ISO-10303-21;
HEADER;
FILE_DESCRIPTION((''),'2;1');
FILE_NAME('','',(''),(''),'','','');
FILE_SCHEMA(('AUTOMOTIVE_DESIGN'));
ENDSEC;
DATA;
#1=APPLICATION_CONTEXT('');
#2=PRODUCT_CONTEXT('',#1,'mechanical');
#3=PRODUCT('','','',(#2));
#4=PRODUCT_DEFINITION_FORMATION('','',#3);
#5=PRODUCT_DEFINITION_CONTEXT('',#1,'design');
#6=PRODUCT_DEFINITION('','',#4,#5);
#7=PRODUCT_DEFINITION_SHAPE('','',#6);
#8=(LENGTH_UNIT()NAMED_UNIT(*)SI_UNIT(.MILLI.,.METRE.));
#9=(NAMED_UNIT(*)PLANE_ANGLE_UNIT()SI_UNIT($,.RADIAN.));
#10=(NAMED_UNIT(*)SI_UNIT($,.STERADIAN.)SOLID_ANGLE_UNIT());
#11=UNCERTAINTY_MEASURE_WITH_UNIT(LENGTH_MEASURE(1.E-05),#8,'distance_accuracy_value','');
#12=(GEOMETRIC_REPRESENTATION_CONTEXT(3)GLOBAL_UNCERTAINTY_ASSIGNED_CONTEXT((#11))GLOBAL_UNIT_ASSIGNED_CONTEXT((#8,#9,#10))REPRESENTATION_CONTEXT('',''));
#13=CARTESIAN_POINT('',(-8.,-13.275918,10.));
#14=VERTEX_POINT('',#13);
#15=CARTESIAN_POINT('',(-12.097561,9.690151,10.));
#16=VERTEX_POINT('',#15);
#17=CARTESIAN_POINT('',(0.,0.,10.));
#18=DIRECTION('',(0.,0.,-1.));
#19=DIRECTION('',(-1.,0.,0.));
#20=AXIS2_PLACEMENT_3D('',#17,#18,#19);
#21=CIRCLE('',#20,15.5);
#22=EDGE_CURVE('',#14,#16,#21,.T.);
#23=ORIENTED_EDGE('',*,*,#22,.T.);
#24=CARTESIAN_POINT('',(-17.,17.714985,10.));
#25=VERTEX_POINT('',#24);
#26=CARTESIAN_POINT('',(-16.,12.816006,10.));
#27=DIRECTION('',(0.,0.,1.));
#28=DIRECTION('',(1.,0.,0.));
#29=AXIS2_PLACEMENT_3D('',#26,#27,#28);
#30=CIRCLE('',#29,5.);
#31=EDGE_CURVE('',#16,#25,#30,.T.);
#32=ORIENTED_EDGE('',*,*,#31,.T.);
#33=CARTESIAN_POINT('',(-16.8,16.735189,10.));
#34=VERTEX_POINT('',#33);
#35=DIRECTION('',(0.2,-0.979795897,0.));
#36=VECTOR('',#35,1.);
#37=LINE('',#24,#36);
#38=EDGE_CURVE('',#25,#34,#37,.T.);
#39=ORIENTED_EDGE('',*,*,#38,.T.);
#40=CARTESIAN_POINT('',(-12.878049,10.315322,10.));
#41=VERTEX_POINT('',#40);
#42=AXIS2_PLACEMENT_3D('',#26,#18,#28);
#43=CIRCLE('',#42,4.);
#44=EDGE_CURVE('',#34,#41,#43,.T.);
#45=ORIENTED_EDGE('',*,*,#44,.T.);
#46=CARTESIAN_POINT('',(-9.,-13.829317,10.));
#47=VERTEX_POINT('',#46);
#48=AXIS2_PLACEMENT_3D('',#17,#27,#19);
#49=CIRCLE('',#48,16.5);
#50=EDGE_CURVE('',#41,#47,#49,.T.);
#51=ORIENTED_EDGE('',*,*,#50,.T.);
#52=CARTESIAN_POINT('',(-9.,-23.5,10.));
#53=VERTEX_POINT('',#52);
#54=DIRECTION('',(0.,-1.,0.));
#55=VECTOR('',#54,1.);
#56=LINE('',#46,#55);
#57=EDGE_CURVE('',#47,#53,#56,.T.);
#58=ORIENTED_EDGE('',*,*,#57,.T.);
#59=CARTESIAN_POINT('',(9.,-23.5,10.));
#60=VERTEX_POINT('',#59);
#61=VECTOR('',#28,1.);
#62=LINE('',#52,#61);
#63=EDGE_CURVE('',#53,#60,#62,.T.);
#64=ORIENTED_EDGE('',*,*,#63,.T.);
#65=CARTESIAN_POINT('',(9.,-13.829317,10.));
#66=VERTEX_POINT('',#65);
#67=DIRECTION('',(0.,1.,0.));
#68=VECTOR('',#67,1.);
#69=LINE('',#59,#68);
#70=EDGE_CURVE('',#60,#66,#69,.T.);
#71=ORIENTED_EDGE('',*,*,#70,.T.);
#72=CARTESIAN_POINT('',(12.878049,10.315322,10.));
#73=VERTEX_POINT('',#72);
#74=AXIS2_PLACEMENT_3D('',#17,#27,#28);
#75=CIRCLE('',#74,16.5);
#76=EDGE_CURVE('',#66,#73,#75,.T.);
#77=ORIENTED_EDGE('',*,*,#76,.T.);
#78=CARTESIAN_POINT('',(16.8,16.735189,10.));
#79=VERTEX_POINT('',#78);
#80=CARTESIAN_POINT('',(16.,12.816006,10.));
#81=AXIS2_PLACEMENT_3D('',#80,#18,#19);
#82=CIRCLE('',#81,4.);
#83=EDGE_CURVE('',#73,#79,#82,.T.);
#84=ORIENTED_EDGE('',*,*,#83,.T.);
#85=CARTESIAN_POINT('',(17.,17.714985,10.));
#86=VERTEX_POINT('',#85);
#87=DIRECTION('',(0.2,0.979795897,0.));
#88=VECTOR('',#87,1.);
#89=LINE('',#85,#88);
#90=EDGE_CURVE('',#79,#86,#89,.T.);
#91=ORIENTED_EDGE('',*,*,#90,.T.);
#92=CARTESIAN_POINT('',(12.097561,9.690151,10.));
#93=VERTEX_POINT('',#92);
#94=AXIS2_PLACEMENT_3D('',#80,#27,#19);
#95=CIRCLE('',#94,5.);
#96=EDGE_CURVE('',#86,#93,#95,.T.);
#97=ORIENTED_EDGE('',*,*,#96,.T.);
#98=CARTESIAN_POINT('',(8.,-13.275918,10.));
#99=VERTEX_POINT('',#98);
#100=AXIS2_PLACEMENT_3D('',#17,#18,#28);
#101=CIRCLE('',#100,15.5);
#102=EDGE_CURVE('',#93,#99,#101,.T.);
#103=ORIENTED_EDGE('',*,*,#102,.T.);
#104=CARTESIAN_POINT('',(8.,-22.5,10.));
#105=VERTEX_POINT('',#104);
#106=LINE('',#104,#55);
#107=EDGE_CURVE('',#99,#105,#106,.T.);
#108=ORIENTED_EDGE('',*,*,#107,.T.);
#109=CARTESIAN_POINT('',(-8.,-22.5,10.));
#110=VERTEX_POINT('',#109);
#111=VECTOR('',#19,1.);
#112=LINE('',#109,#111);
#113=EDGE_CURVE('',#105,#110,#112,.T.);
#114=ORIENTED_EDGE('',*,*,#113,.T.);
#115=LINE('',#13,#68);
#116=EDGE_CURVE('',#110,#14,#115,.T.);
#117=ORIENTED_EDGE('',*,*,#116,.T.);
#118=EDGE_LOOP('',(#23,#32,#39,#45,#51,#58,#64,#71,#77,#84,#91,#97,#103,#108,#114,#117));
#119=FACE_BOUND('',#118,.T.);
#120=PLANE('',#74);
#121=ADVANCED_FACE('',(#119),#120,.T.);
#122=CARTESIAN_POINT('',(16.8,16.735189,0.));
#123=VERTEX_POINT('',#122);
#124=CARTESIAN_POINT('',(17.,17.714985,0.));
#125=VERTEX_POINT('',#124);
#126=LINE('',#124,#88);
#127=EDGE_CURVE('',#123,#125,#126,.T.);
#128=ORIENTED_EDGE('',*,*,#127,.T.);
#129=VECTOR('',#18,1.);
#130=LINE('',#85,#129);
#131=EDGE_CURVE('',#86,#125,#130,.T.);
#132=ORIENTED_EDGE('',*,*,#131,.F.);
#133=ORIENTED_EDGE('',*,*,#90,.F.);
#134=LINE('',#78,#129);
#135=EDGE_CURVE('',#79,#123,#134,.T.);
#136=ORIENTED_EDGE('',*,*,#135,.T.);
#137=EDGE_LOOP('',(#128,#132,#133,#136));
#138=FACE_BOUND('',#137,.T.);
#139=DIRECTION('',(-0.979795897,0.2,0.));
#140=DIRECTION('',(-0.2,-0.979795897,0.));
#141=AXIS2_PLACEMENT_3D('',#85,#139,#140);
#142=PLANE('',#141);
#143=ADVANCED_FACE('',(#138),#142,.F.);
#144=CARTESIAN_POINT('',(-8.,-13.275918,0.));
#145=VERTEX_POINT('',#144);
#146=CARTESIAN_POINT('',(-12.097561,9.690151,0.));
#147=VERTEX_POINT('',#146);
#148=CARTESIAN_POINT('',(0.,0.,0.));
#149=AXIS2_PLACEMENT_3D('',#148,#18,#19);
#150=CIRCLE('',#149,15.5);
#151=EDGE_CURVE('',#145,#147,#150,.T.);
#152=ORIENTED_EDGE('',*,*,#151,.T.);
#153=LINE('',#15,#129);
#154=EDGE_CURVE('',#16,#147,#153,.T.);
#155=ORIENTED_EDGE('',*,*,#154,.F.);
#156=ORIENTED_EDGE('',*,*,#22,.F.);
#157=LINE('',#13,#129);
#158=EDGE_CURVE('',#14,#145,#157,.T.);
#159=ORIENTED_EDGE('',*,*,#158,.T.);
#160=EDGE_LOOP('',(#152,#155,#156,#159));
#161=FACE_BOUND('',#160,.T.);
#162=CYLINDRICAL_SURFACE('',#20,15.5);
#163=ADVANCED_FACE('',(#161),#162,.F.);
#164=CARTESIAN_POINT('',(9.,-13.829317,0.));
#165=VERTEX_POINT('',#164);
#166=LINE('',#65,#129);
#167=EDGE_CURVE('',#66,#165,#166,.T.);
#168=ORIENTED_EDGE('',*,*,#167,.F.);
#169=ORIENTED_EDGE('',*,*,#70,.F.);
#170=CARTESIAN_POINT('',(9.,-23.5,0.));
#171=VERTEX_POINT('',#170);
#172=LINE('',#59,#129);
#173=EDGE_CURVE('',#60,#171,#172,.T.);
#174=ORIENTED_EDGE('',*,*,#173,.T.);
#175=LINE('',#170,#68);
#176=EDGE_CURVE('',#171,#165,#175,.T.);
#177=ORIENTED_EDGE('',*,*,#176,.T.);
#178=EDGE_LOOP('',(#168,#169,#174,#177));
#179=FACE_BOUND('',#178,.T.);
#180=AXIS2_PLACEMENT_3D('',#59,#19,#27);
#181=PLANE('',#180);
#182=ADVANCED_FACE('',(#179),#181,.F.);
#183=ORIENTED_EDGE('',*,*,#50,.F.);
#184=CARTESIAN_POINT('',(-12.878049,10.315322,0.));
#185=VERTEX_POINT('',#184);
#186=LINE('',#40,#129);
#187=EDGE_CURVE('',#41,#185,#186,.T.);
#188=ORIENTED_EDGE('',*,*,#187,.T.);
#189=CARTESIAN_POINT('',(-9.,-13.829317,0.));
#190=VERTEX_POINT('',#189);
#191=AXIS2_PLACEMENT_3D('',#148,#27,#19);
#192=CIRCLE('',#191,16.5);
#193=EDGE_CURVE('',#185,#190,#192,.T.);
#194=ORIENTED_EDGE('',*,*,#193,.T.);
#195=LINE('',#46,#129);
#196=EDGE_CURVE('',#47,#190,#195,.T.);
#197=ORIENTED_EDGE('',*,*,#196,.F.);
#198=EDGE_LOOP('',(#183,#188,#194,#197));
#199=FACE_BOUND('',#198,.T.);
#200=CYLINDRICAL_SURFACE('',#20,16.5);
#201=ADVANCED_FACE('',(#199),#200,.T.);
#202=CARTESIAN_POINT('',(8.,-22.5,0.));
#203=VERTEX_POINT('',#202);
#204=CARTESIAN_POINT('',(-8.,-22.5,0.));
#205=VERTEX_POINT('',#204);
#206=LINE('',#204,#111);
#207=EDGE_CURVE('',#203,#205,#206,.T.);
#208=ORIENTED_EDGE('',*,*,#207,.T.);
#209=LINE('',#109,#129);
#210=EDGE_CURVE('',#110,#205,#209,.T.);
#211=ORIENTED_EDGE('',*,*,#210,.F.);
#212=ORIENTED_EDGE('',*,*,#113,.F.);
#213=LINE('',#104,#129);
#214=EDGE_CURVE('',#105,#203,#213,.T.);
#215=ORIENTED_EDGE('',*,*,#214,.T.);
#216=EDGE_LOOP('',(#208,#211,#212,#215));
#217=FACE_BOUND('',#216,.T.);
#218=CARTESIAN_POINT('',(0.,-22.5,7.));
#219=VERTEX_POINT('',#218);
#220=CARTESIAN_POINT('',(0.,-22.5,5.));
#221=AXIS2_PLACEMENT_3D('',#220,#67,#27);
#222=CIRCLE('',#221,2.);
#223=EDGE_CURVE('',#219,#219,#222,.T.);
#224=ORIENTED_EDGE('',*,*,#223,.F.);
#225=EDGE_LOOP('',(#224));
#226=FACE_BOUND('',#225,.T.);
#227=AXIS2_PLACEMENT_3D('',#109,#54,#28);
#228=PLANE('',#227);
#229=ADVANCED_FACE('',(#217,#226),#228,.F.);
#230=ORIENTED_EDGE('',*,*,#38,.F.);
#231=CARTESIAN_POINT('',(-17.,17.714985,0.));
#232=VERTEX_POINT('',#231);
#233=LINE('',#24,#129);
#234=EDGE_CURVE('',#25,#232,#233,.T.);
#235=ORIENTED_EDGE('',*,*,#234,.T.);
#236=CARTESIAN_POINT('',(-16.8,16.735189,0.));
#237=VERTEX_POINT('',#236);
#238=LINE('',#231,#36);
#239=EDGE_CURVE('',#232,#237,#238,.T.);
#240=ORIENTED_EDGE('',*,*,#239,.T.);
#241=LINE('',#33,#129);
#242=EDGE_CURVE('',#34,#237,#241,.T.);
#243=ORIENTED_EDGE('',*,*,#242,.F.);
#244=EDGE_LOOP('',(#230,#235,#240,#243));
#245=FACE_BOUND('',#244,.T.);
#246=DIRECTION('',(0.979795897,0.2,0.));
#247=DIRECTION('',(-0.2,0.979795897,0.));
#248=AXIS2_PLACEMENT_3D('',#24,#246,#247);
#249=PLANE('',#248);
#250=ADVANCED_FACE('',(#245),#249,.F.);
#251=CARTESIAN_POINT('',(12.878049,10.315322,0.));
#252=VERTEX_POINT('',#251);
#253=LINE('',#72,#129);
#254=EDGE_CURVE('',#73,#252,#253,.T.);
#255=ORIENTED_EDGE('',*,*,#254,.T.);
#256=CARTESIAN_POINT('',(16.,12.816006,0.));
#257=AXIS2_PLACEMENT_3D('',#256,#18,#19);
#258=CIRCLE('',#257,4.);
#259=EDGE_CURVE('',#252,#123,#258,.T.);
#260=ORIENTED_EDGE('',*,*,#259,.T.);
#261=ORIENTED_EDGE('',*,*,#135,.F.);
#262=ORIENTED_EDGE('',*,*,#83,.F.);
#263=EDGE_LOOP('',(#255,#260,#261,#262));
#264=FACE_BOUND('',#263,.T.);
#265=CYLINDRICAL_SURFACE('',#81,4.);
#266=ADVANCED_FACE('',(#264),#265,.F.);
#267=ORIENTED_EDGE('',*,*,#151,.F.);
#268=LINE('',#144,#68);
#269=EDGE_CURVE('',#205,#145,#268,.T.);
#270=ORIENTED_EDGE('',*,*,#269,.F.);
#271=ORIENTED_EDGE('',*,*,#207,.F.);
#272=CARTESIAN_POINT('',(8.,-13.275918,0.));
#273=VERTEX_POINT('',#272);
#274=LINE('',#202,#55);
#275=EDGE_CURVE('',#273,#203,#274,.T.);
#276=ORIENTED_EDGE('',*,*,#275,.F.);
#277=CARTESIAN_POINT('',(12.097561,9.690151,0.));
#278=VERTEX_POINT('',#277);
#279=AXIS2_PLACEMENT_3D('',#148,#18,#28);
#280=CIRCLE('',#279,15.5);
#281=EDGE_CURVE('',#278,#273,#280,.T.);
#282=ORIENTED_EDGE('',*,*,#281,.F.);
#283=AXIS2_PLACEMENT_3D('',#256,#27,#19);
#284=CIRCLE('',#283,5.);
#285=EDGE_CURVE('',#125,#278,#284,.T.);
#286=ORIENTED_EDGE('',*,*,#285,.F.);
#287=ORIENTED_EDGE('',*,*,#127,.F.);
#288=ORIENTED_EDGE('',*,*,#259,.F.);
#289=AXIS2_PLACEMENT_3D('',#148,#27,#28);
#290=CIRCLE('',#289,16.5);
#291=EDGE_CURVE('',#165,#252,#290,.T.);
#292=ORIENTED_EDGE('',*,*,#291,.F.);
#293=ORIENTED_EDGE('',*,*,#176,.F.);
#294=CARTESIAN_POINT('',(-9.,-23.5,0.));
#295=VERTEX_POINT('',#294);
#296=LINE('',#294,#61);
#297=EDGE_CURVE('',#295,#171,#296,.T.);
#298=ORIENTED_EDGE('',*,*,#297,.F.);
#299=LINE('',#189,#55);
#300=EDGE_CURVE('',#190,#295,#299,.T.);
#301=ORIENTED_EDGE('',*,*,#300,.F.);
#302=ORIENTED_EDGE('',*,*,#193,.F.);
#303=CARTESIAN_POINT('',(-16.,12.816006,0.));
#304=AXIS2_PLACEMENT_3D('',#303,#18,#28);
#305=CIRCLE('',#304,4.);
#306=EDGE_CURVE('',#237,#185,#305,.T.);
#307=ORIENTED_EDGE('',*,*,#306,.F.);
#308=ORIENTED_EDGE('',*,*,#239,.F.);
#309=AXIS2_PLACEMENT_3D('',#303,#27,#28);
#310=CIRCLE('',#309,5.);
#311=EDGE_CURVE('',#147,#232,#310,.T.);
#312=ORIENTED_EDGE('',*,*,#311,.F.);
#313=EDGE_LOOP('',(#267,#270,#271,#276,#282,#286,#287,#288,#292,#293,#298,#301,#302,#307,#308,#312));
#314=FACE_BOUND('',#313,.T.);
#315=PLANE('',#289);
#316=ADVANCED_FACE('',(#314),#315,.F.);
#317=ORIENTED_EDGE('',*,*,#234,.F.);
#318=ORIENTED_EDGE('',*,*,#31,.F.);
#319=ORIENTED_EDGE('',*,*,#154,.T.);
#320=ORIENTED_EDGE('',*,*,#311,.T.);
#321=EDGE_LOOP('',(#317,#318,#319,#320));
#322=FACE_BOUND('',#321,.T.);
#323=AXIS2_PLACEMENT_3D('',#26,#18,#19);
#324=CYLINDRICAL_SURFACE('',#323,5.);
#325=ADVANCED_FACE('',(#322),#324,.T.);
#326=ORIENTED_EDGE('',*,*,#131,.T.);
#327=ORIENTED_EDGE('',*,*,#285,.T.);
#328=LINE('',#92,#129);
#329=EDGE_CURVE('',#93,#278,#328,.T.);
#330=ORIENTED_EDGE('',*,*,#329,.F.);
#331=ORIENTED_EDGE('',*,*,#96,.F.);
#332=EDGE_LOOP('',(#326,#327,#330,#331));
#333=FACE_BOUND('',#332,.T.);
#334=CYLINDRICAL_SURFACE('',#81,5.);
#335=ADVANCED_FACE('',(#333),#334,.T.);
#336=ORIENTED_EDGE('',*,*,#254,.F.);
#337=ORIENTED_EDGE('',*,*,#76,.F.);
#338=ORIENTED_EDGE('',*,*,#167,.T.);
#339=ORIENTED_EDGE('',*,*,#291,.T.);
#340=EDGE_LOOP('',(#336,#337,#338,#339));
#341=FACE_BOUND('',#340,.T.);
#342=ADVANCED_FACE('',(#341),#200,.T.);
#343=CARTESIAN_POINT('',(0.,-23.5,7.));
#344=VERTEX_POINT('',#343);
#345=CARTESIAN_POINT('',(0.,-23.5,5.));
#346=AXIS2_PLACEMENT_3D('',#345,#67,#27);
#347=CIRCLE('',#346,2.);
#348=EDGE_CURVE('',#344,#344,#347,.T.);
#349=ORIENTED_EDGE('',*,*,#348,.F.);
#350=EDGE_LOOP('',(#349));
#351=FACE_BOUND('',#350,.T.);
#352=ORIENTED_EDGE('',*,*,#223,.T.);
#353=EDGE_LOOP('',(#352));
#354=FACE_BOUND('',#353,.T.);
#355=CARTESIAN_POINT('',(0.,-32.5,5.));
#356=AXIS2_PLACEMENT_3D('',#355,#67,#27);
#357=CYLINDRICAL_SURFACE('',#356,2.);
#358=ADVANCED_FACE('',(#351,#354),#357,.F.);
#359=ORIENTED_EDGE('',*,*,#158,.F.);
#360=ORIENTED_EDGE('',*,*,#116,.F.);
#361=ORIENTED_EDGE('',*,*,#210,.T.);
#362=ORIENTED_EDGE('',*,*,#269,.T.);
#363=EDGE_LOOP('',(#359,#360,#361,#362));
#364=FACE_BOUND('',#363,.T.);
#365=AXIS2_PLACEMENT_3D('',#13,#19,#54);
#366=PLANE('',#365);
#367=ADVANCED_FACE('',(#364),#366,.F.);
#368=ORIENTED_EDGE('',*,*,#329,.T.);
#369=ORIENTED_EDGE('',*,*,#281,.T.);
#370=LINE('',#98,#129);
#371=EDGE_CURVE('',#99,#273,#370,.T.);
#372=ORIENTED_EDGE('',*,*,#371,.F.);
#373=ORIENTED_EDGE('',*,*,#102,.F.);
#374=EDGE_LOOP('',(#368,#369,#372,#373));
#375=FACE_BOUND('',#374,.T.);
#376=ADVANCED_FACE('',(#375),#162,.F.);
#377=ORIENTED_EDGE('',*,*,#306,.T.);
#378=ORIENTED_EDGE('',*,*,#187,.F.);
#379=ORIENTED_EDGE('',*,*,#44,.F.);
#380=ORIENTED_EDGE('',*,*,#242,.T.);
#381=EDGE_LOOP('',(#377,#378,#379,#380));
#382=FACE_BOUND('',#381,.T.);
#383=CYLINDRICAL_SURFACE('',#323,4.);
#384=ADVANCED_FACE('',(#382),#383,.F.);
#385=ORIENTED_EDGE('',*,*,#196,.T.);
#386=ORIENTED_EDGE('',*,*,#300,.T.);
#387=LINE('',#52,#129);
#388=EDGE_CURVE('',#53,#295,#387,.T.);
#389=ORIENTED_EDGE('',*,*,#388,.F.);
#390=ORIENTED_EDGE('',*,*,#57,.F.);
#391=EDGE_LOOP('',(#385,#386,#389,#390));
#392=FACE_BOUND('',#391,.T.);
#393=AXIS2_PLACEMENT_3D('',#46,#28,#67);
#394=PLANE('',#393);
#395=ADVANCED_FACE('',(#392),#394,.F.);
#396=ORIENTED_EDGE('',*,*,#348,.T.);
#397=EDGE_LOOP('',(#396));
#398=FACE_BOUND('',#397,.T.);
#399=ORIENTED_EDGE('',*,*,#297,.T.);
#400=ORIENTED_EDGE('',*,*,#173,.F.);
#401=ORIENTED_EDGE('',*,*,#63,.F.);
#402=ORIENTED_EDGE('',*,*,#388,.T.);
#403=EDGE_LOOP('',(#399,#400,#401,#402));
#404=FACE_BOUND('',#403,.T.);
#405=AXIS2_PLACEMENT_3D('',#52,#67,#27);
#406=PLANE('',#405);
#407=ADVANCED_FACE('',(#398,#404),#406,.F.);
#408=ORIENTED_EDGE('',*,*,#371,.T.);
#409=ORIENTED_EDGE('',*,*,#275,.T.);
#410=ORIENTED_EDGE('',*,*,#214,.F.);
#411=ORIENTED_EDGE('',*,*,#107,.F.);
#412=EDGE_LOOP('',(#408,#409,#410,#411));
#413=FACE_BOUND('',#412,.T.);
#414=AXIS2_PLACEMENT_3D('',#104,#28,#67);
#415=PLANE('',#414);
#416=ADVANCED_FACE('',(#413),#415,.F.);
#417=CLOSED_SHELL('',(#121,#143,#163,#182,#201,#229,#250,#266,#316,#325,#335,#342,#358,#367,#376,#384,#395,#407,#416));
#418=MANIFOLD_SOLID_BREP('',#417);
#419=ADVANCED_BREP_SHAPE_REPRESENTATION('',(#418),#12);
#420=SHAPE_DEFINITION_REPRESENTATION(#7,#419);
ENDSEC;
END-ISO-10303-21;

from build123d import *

# Parameters (mm, degrees)
BOSS_EXTRUDE1_DEPTH = 10
SKETCH2_R           = 2
CUT_EXTRUDE1_DEPTH  = 10


with BuildPart() as part:
    # Sketch1 → Boss-Extrude1 (new body)
    with BuildSketch(Plane.XY):
        with BuildLine():
            Line((8, -22.5), (8, -13.275918047))
            ThreePointArc((8, -13.275918047), (15.259032291, -2.722486649), (12.097560976, 9.690150589))
            ThreePointArc((12.097560976, 9.690150589), (11.733206084, 15.422625974), (17, 17.714985104))
            Line((17, 17.714985104), (16.8, 16.735189206))
            ThreePointArc((16.8, 16.735189206), (12.586564868, 14.901301903), (12.87804878, 10.315321595))
            ThreePointArc((12.87804878, 10.315321595), (16.291198361, -2.616649759), (9, -13.829316686))
            Line((9, -13.829316686), (9, -23.5))
            Line((9, -23.5), (-9, -23.5))
            Line((-9, -23.5), (-9, -13.829316686))
            ThreePointArc((-9, -13.829316686), (-16.291198361, -2.616649759), (-12.87804878, 10.315321595))
            ThreePointArc((-12.87804878, 10.315321595), (-12.586564868, 14.901301903), (-16.8, 16.735189206))
            Line((-16.8, 16.735189206), (-17, 17.714985104))
            ThreePointArc((-17, 17.714985104), (-11.733206084, 15.422625974), (-12.097560976, 9.690150589))
            ThreePointArc((-12.097560976, 9.690150589), (-15.259032291, -2.722486649), (-8, -13.275918047))
            Line((-8, -13.275918047), (-8, -22.5))
            Line((-8, -22.5), (8, -22.5))
        make_face()
    extrude(amount=BOSS_EXTRUDE1_DEPTH)

    # Sketch2 → Cut-Extrude1 (cut)
    with BuildSketch(Plane(origin=(0, -22.5, 0), x_dir=(1, 0, 0), z_dir=(0, 1, 0))):
        with Locations(Location((0, -5, 0), (0, 0, 270))):
            Circle(SKETCH2_R)
    extrude(amount=-CUT_EXTRUDE1_DEPTH, mode=Mode.SUBTRACT)


solid = part.part
